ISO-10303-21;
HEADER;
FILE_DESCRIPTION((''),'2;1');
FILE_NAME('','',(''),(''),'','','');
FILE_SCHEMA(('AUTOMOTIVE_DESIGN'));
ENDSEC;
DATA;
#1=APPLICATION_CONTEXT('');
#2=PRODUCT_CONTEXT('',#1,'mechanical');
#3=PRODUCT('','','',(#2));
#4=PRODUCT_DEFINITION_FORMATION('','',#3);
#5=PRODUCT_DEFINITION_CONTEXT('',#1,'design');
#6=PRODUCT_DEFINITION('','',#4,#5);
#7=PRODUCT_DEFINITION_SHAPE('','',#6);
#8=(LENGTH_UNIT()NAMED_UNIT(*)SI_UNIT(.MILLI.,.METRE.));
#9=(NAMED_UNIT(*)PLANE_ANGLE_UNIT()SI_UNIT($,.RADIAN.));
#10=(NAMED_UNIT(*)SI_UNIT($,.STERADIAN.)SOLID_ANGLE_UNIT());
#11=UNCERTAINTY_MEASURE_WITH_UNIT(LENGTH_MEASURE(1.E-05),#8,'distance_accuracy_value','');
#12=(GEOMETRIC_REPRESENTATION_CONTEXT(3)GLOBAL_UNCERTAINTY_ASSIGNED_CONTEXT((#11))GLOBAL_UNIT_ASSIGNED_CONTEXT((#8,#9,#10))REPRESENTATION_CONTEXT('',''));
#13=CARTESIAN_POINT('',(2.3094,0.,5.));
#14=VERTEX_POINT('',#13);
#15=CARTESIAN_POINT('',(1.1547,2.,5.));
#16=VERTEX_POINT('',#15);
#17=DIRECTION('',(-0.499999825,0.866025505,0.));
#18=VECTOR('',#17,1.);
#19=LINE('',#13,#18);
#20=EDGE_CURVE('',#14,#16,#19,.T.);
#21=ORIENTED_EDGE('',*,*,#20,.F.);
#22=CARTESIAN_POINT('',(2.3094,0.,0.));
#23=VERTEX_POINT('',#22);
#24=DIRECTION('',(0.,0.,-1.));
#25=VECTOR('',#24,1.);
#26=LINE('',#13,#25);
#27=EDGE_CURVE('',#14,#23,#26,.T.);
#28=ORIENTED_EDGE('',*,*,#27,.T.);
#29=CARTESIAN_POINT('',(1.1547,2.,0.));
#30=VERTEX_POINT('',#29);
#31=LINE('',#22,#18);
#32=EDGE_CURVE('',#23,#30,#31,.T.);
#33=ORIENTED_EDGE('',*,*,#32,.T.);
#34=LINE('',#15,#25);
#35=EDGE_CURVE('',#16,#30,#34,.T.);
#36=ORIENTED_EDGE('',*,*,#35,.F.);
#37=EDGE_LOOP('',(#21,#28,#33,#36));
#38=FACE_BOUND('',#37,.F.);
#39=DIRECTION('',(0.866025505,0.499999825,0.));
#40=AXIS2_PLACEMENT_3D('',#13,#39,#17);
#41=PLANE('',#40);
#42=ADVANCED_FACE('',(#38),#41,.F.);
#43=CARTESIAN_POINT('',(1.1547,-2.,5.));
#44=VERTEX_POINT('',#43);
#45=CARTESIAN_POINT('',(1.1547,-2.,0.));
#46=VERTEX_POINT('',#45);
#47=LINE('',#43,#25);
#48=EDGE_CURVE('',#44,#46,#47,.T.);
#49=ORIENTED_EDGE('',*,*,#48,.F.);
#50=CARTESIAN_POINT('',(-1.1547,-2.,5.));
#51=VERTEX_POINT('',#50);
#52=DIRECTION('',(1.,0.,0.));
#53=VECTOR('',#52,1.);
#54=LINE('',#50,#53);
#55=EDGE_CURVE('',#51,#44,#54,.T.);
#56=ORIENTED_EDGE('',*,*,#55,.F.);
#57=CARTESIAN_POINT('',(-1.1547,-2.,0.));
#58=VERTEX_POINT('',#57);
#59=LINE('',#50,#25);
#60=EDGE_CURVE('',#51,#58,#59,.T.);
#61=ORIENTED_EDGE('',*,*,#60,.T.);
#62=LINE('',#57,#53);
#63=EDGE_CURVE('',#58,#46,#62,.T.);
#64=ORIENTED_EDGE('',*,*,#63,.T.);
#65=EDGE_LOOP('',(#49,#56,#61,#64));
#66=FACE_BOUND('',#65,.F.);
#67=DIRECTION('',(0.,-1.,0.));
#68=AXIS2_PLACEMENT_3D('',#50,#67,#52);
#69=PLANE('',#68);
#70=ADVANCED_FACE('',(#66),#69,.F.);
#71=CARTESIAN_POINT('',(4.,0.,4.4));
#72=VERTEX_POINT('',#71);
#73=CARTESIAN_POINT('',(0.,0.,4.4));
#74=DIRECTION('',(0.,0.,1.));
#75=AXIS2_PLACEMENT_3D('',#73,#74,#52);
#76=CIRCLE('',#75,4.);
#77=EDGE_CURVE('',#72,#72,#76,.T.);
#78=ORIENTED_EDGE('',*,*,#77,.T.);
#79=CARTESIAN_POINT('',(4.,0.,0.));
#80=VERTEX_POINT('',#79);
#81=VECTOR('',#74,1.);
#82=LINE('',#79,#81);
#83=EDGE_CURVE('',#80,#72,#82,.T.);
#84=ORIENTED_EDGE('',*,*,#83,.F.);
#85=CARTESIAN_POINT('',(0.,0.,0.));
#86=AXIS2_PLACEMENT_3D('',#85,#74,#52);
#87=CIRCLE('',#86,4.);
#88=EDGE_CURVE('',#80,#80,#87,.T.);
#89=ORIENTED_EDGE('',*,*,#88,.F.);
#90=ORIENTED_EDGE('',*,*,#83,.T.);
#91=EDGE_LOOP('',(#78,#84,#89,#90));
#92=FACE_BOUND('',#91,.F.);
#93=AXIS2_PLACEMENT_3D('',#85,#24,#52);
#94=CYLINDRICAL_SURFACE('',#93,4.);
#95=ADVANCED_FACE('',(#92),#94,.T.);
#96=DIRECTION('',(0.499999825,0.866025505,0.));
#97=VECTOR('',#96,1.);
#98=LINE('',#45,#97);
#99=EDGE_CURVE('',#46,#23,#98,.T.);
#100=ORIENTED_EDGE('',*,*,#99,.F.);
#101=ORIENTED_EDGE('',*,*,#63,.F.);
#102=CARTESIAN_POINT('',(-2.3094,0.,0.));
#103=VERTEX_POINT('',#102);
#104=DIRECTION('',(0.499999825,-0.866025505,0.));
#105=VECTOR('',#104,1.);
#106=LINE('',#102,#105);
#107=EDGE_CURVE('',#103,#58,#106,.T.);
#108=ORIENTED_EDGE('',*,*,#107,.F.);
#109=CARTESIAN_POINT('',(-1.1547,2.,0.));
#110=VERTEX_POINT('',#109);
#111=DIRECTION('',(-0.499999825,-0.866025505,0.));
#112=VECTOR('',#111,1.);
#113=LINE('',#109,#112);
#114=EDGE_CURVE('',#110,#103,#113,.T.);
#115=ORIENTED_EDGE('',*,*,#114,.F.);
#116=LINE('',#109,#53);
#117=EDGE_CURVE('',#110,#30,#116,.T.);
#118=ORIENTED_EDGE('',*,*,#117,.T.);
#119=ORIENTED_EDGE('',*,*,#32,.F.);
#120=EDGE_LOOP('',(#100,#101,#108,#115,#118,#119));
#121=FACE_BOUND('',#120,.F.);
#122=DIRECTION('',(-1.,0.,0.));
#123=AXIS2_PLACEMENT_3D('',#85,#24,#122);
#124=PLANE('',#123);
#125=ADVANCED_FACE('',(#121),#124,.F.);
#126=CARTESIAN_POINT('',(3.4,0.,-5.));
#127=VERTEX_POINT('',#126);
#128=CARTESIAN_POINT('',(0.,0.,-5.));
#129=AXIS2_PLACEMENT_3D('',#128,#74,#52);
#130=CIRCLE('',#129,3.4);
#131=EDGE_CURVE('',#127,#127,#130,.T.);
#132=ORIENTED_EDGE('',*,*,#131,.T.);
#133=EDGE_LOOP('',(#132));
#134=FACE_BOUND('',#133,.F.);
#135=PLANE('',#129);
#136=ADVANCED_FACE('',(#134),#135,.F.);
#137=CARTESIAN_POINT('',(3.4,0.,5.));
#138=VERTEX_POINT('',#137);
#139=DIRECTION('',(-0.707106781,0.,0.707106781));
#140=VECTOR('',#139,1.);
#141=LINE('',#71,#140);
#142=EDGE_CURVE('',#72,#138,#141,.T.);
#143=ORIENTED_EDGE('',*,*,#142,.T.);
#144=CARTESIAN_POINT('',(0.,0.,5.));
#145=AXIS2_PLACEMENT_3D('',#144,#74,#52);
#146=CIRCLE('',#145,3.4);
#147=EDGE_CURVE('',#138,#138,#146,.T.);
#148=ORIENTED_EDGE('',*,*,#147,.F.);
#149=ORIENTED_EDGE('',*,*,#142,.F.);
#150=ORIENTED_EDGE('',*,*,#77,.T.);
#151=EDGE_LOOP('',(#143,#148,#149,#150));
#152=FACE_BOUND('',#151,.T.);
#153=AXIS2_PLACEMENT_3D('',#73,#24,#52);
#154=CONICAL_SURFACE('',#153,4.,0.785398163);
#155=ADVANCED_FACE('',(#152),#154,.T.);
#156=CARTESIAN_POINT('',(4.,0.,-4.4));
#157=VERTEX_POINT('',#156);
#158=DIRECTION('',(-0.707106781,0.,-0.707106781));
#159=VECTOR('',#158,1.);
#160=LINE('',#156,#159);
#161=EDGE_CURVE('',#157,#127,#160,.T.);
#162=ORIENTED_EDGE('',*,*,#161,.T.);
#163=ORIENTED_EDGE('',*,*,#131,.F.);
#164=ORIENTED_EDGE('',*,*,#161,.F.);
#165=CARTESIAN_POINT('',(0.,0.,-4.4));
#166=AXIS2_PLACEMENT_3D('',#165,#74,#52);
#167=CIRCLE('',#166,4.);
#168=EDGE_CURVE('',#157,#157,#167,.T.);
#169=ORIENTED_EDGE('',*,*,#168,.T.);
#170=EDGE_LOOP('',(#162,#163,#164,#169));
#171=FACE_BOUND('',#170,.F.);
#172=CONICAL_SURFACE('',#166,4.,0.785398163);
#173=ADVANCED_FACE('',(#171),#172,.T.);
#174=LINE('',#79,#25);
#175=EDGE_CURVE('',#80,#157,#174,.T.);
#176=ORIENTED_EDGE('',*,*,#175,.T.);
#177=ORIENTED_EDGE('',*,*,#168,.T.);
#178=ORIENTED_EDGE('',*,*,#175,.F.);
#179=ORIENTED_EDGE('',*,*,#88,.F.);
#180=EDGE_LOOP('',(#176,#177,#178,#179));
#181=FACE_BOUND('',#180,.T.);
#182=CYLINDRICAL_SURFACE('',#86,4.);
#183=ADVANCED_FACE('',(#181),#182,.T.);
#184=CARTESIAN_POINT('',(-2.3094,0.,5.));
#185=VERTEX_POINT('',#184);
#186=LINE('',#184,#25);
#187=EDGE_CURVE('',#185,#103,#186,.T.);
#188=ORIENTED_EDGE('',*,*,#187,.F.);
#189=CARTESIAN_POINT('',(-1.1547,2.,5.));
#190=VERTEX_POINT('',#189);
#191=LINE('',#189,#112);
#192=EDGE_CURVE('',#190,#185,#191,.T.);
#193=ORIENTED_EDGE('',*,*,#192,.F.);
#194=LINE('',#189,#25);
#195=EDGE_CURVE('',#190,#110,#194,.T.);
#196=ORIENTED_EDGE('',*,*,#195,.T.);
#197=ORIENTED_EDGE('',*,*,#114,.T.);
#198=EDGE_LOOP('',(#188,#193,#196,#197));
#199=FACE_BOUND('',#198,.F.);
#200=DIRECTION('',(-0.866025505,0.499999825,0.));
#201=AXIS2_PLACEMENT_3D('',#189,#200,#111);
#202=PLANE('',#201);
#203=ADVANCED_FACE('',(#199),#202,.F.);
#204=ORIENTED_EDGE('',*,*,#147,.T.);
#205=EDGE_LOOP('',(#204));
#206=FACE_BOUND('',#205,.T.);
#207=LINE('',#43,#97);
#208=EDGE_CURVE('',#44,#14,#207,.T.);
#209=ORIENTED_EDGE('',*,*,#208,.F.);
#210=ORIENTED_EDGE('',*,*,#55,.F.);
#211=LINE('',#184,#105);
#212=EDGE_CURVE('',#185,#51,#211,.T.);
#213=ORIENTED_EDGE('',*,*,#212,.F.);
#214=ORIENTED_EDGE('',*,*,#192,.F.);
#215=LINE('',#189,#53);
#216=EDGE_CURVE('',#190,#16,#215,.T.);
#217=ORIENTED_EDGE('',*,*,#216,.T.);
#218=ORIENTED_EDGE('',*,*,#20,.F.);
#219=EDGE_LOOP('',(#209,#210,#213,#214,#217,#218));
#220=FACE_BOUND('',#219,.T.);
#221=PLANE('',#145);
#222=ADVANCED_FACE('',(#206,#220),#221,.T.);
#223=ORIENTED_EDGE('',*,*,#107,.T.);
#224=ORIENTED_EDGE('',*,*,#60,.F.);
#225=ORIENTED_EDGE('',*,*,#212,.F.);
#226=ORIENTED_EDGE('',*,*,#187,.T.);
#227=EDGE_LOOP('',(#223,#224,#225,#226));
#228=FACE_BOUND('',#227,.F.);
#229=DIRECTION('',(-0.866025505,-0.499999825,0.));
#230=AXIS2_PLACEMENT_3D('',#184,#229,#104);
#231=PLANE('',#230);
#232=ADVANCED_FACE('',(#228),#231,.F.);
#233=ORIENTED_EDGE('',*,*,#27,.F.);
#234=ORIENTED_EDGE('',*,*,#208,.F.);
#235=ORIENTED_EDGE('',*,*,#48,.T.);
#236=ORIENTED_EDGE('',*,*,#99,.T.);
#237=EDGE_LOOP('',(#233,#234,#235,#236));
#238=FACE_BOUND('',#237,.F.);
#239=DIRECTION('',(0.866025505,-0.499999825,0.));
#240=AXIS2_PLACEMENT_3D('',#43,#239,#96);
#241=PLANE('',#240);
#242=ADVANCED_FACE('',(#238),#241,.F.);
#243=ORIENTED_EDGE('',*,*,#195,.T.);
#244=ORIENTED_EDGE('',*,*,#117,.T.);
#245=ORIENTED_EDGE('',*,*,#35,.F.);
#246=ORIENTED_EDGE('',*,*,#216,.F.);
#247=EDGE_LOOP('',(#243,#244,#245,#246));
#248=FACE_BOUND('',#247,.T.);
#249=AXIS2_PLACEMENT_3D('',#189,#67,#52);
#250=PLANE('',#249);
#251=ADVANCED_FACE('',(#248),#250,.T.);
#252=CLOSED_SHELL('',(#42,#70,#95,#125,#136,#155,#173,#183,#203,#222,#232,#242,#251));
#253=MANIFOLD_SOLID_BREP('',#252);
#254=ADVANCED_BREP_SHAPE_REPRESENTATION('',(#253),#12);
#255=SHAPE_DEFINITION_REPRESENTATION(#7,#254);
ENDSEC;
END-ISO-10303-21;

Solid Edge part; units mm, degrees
sketch "Sketch1" plane through (0, 0, 0) normal (0, 0, 1) x (1, 0, 0)
  circle A0 centre (0, 0) radius 4
  dimension "D1" = 8
extrude "Protrusion1" add sketch "Sketch1" along normal mid plane 10
chamfer "Chamfer1" distance 0.6 angle 45 2 edges at (-4, 0, -5) (-4, 0, 5)
sketch "Sketch2" plane through (0, 0, 5) normal (0, 0, 1) x (1, 0, 0)
  line L0 (-1.1547, 2) -> (1.1547, 2)
  line L1 (2.3094, 0) -> (1.1547, 2)
  line L2 (1.1547, -2) -> (2.3094, 0)
  line L3 (-1.1547, -2) -> (1.1547, -2)
  line L4 (-2.3094, 0) -> (-1.1547, -2)
  line L5 (-1.1547, 2) -> (-2.3094, 0)
  dimension "D1" = 4
extrude "Cutout1" cut sketch "Sketch2" against normal blind 5
properties part number "24104886"
